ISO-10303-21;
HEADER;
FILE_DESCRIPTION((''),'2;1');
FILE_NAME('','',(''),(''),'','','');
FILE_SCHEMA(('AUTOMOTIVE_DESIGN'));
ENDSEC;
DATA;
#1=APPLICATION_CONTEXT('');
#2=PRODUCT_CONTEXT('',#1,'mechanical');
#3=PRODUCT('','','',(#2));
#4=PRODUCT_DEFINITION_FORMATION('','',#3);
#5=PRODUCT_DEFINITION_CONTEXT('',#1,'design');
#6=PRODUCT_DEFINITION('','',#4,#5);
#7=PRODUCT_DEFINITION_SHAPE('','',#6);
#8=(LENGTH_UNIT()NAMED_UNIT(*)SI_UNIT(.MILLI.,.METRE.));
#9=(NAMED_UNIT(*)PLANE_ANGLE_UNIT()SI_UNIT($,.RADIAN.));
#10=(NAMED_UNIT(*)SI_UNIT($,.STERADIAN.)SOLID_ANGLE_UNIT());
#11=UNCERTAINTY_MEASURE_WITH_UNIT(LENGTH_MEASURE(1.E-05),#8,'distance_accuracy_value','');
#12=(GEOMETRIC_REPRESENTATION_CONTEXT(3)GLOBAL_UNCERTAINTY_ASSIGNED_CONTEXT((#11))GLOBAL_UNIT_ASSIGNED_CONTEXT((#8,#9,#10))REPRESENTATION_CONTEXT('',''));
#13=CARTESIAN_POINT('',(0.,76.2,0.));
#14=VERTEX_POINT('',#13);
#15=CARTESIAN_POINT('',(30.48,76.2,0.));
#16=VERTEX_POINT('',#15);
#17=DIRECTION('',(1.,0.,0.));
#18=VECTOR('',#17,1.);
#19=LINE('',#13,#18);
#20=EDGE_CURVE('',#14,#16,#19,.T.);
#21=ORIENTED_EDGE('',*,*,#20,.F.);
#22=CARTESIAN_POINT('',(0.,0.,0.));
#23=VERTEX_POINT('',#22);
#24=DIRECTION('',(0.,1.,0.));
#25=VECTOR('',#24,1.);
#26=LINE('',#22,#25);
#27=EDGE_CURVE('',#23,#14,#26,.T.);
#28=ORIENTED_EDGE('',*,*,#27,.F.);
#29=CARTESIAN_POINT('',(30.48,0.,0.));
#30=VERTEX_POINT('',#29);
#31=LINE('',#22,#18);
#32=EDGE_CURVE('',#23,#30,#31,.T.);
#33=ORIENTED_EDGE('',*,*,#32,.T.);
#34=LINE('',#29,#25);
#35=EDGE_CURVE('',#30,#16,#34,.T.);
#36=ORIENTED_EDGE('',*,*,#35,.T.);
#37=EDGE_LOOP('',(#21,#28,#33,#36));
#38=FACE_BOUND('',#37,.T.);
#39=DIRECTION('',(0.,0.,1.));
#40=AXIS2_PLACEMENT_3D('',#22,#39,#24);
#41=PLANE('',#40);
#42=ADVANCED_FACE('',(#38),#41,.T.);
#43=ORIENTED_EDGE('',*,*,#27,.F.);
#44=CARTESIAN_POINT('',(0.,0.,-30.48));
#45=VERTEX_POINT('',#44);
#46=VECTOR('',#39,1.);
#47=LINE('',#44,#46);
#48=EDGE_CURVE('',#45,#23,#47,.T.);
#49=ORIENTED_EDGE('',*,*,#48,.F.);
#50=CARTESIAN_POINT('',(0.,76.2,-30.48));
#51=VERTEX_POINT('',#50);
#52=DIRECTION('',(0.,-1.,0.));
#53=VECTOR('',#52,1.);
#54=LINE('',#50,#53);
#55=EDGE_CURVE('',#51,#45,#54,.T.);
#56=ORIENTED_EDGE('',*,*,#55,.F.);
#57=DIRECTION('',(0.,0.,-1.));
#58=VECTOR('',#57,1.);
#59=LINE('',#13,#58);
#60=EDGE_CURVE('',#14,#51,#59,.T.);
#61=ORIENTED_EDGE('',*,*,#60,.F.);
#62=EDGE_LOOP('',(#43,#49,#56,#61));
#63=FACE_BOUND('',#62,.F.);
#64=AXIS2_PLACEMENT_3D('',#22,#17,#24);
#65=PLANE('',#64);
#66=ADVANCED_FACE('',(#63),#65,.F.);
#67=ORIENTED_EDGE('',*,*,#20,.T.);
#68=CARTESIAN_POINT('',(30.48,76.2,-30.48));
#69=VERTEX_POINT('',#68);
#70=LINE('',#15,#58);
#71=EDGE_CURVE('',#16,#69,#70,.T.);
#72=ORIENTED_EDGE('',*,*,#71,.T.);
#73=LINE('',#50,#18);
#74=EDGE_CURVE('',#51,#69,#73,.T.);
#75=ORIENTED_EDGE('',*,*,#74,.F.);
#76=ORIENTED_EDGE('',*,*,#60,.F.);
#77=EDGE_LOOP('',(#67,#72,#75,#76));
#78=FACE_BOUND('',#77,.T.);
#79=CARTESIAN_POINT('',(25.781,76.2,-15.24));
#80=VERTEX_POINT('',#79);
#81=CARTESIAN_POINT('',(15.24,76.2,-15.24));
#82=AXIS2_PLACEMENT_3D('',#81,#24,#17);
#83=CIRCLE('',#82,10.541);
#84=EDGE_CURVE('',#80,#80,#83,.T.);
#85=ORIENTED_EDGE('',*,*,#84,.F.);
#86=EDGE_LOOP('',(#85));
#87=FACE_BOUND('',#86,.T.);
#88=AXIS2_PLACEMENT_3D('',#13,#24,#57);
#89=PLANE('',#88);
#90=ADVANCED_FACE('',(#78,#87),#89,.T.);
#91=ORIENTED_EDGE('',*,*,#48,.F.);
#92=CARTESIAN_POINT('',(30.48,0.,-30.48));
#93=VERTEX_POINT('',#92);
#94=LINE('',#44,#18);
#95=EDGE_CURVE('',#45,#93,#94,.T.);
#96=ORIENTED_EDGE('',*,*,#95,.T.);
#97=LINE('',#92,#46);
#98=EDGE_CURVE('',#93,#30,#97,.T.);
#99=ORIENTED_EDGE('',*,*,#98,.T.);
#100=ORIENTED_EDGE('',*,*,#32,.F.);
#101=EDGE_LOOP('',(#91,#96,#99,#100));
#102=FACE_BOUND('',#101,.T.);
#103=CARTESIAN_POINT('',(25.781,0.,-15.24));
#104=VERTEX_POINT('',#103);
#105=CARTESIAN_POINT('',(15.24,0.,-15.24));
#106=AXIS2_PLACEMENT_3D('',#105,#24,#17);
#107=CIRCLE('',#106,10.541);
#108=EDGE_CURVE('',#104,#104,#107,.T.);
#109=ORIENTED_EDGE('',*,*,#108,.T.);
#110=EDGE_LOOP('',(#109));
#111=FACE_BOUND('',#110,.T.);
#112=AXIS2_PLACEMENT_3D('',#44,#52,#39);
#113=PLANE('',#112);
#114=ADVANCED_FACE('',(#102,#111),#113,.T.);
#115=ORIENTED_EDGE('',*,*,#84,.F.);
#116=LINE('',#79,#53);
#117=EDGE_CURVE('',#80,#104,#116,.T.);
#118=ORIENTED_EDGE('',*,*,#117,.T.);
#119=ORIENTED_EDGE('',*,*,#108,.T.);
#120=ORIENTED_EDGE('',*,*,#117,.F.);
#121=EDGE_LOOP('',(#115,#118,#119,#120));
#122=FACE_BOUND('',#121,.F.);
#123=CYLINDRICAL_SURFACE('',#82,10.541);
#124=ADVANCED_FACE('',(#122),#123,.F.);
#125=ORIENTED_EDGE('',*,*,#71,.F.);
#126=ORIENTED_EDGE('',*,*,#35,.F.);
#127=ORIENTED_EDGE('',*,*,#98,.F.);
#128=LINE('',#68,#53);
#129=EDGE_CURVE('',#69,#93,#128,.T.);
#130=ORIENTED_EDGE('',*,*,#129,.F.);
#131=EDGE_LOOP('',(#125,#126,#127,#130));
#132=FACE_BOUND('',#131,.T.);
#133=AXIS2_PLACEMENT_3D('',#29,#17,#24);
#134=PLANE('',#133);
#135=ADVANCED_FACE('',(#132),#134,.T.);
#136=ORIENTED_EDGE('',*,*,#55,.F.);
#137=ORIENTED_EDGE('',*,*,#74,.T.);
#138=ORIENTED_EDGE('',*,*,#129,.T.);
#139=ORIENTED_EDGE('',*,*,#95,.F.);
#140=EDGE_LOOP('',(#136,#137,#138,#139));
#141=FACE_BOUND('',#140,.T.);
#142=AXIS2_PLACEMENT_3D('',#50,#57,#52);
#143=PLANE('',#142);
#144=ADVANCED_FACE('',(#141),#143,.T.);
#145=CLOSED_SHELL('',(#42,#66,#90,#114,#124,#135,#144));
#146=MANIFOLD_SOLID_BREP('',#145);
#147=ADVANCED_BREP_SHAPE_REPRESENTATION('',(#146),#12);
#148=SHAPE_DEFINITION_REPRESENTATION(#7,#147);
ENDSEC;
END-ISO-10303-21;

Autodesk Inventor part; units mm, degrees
ref_plane "YZ Plane" through (0, 0, 0) normal (1, 0, 0) x (0, 1, 0)
sketch "Sketch1" plane through (0, 0, 0) normal (1, 0, 0) x (0, 1, 0)
  line L0 (0, 0) -> (76.2, 0)
  line L1 (76.2, 0) -> (76.2, -30.48)
  line L2 (76.2, -30.48) -> (0, -30.48)
  line L3 (0, -30.48) -> (0, 0)
  dimension "d0" = 30.48
  dimension "d1" = 76.2
extrude "Extrusion1" add sketch "Sketch1" along normal blind 30.48
sketch "Sketch2" plane through (0, 76.2, 0) normal (0, 1, 0) x (1, 0, 0)
  line L0 (0, 0) -> (0, 30.48) projected
  line L1 (0, 0) -> (30.48, 0) projected
  line L2 (30.48, 30.48) -> (30.48, 0) projected
  line L3 (0, 30.48) -> (30.48, 30.48) projected
  circle A0 centre (15.24, 15.24) radius 10.541
  point P0 (0, 0)
  dimension "d4" = 21.082
  dimension "d5" = 15.24
  dimension "d6" = 15.24
extrude "Extrusion2" cut sketch "Sketch2" against normal through all contours A0
ref_plane "Work Plane1" through (15.24, 0, 0) normal (1, 0, 0) x (0, 0, -1)
ref_plane "Work Plane2" through (0, 38.1, 0) normal (0, 1, 0) x (1, 0, 0)
properties part number "thumb"
